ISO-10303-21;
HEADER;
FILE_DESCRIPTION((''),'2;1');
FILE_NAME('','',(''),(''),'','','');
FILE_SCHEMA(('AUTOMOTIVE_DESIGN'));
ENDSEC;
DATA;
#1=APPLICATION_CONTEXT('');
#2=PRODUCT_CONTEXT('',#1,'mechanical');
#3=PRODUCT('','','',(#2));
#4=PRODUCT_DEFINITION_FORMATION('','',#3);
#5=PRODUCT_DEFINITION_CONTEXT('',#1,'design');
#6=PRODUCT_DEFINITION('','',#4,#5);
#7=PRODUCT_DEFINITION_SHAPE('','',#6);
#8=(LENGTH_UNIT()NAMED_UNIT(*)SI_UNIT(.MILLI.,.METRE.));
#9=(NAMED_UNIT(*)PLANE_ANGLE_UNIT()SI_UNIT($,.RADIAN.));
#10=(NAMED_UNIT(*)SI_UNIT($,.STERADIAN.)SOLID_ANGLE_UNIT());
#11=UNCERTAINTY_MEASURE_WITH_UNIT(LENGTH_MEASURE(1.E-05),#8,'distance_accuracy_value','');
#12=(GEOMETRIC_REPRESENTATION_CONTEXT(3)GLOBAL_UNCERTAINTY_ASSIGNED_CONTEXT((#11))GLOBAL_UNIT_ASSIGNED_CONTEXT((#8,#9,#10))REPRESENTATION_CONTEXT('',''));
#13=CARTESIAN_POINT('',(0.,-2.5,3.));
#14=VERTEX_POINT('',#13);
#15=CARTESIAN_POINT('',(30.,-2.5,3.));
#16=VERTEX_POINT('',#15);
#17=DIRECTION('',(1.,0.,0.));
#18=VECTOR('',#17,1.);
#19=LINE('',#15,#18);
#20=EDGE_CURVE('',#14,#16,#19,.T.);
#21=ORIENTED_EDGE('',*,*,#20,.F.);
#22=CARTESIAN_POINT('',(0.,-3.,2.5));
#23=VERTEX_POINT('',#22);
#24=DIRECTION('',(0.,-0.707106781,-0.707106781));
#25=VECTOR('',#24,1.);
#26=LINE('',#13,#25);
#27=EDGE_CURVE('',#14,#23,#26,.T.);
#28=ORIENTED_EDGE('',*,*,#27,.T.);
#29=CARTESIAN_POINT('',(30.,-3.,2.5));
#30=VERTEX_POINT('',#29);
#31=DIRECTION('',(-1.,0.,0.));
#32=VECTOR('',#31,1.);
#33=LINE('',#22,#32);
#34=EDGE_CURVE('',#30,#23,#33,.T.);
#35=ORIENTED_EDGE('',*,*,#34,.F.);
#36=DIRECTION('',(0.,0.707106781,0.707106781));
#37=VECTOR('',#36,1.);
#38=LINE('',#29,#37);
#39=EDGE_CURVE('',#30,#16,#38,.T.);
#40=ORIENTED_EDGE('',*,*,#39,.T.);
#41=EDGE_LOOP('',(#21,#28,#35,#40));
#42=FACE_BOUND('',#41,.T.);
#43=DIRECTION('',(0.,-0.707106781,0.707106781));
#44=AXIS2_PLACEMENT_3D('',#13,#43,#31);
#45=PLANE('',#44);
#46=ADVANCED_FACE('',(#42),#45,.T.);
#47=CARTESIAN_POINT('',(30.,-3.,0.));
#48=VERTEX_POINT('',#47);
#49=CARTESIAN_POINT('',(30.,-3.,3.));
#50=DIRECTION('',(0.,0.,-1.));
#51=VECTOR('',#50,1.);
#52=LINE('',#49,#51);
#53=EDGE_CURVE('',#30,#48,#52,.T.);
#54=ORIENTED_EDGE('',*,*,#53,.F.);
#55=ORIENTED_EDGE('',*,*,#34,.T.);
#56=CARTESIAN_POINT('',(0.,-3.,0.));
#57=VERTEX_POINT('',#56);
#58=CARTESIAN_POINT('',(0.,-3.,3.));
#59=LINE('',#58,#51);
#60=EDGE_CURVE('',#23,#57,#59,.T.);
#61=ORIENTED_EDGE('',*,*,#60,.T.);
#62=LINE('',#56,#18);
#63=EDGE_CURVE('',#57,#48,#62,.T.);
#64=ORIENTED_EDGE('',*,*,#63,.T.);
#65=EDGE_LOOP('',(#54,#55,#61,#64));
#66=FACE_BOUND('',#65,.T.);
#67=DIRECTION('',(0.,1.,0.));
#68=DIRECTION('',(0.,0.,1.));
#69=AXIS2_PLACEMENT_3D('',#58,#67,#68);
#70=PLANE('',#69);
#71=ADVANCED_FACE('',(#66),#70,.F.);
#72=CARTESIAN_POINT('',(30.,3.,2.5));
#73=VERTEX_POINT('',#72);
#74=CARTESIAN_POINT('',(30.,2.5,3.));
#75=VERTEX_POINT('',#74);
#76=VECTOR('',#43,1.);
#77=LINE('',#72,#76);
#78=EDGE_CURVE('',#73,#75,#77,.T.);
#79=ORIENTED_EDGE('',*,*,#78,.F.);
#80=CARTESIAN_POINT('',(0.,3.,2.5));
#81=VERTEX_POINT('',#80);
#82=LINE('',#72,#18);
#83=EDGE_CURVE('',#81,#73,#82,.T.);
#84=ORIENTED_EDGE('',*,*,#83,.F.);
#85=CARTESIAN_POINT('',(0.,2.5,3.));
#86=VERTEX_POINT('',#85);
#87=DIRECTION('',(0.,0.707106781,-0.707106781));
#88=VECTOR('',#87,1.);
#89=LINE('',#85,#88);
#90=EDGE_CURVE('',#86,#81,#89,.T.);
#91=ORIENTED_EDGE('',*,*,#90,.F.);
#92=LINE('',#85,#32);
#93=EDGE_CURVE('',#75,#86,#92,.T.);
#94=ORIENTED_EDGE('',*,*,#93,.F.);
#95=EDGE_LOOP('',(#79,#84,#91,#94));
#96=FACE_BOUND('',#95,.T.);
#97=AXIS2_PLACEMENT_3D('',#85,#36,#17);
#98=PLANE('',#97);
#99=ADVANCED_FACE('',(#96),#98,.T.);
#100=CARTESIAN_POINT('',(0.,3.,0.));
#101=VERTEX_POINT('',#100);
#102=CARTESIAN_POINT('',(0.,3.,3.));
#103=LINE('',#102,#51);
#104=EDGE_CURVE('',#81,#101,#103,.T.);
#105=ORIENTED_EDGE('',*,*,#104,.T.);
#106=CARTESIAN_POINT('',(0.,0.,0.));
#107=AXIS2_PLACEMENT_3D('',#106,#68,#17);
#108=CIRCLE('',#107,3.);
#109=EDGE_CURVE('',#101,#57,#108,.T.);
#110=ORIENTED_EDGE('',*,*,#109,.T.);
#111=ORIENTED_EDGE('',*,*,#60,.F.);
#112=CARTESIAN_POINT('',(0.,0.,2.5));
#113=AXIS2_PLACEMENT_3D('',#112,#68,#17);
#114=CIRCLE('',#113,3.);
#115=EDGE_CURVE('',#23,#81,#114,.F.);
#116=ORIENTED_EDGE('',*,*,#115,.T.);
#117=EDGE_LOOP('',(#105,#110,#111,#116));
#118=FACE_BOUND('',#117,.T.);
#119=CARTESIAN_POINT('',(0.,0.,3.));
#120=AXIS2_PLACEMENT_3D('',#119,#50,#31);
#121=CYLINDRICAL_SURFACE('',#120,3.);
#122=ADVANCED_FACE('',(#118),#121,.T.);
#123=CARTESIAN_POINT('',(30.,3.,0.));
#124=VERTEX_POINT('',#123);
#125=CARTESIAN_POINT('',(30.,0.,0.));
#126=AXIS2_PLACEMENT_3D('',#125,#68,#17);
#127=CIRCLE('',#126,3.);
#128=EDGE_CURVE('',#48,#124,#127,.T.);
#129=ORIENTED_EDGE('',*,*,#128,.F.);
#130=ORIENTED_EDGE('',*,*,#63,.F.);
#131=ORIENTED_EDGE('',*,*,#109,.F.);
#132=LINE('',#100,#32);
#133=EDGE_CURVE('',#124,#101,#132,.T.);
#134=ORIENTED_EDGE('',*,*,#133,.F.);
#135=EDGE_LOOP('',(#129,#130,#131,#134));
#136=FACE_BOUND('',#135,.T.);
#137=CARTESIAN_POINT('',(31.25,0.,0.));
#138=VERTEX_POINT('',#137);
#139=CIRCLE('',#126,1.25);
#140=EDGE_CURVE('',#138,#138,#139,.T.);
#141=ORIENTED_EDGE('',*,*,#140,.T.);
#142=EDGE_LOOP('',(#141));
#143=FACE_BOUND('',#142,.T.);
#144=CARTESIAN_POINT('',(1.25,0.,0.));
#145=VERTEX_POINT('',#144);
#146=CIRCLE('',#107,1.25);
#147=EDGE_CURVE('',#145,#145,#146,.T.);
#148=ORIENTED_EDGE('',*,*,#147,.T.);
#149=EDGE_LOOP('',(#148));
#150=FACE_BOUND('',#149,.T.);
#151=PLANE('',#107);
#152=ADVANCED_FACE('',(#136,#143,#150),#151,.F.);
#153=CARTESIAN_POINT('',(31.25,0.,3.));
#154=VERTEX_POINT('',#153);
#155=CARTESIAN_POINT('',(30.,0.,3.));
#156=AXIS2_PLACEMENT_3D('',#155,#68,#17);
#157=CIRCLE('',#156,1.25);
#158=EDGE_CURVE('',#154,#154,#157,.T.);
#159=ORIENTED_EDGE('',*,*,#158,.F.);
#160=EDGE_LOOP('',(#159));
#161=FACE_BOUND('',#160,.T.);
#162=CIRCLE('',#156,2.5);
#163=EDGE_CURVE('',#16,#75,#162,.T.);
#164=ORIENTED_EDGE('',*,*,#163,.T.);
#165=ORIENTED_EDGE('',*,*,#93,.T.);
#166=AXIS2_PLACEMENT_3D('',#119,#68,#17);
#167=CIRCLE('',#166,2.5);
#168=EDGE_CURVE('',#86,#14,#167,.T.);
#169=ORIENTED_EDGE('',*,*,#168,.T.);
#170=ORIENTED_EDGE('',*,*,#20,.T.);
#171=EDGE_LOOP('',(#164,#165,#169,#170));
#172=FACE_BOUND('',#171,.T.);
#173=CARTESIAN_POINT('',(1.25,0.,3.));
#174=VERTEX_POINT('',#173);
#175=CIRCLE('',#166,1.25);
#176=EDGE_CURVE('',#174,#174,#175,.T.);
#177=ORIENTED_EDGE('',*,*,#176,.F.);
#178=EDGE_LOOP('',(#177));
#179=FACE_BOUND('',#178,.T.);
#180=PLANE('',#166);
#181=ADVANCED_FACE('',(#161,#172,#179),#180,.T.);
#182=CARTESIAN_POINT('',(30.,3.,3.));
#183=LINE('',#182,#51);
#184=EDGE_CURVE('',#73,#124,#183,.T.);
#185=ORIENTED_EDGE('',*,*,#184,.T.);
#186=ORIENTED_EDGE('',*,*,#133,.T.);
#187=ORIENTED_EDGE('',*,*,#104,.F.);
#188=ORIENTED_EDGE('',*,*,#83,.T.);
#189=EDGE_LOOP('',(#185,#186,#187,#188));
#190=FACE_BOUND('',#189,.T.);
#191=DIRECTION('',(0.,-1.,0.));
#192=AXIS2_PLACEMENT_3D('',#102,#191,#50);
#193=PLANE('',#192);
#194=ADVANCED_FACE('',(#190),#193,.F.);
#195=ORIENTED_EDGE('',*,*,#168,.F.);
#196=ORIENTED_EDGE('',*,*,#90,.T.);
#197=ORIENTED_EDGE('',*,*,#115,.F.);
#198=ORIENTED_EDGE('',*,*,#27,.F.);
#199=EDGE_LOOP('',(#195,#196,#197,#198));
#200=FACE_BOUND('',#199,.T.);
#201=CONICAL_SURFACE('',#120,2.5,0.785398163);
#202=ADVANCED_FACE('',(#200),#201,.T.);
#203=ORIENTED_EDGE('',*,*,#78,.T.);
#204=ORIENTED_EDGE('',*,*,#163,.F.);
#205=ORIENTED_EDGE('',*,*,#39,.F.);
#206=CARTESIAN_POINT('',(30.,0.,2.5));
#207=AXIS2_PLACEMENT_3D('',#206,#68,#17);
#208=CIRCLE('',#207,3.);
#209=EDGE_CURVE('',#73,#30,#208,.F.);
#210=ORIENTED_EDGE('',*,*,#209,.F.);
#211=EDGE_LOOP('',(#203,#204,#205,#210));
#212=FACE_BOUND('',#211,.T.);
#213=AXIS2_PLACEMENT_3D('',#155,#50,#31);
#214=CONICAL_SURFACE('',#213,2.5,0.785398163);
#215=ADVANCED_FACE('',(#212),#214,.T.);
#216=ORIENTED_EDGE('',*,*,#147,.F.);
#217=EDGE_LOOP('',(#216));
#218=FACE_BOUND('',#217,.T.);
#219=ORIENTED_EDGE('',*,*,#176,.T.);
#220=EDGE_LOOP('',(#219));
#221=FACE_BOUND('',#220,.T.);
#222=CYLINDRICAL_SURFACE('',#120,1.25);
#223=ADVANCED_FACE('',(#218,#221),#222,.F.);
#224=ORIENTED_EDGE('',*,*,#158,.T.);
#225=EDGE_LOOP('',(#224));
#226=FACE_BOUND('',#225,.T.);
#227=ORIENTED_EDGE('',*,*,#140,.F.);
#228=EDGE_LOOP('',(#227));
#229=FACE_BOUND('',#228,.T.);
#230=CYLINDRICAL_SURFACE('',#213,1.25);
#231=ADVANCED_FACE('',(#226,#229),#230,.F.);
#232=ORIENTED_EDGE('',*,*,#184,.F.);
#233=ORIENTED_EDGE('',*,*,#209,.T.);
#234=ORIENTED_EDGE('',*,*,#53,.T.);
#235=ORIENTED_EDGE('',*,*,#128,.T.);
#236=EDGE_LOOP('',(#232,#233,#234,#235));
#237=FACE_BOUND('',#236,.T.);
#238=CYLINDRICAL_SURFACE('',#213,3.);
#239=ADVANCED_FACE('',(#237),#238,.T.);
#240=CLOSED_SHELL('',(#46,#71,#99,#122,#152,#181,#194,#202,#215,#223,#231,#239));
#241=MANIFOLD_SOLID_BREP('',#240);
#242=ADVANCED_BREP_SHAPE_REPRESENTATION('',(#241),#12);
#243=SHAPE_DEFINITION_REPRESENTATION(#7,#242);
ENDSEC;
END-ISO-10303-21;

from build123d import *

# Parameters (mm, degrees)
CROQUIS1_R              = 1.25
SALIENTE_EXTRUIR1_DEPTH = 3
CHAFL_N1_SIZE           = 0.5


with BuildPart() as part:
    # Croquis1 → Saliente-Extruir1 (new body)
    with BuildSketch(Plane.XY):
        with BuildLine():
            Line((0, 3), (30, 3))
            ThreePointArc((30, 3), (33, 0), (30, -3))
            Line((30, -3), (0, -3))
            ThreePointArc((0, -3), (-3, 0), (0, 3))
        make_face()
        with Locations((30, 0)):
            Circle(CROQUIS1_R, mode=Mode.SUBTRACT)
        Circle(CROQUIS1_R, mode=Mode.SUBTRACT)
    extrude(amount=SALIENTE_EXTRUIR1_DEPTH)

    # Chaflán1
    chafl_n1_edges = [part.edges().sort_by_distance(p)[0] for p in [
        (33, 0, 3),
        (15, 3, 3),
        (-3, 0, 3),
        (15, -3, 3),
    ]]
    chamfer(chafl_n1_edges, length=CHAFL_N1_SIZE)


solid = part.part
